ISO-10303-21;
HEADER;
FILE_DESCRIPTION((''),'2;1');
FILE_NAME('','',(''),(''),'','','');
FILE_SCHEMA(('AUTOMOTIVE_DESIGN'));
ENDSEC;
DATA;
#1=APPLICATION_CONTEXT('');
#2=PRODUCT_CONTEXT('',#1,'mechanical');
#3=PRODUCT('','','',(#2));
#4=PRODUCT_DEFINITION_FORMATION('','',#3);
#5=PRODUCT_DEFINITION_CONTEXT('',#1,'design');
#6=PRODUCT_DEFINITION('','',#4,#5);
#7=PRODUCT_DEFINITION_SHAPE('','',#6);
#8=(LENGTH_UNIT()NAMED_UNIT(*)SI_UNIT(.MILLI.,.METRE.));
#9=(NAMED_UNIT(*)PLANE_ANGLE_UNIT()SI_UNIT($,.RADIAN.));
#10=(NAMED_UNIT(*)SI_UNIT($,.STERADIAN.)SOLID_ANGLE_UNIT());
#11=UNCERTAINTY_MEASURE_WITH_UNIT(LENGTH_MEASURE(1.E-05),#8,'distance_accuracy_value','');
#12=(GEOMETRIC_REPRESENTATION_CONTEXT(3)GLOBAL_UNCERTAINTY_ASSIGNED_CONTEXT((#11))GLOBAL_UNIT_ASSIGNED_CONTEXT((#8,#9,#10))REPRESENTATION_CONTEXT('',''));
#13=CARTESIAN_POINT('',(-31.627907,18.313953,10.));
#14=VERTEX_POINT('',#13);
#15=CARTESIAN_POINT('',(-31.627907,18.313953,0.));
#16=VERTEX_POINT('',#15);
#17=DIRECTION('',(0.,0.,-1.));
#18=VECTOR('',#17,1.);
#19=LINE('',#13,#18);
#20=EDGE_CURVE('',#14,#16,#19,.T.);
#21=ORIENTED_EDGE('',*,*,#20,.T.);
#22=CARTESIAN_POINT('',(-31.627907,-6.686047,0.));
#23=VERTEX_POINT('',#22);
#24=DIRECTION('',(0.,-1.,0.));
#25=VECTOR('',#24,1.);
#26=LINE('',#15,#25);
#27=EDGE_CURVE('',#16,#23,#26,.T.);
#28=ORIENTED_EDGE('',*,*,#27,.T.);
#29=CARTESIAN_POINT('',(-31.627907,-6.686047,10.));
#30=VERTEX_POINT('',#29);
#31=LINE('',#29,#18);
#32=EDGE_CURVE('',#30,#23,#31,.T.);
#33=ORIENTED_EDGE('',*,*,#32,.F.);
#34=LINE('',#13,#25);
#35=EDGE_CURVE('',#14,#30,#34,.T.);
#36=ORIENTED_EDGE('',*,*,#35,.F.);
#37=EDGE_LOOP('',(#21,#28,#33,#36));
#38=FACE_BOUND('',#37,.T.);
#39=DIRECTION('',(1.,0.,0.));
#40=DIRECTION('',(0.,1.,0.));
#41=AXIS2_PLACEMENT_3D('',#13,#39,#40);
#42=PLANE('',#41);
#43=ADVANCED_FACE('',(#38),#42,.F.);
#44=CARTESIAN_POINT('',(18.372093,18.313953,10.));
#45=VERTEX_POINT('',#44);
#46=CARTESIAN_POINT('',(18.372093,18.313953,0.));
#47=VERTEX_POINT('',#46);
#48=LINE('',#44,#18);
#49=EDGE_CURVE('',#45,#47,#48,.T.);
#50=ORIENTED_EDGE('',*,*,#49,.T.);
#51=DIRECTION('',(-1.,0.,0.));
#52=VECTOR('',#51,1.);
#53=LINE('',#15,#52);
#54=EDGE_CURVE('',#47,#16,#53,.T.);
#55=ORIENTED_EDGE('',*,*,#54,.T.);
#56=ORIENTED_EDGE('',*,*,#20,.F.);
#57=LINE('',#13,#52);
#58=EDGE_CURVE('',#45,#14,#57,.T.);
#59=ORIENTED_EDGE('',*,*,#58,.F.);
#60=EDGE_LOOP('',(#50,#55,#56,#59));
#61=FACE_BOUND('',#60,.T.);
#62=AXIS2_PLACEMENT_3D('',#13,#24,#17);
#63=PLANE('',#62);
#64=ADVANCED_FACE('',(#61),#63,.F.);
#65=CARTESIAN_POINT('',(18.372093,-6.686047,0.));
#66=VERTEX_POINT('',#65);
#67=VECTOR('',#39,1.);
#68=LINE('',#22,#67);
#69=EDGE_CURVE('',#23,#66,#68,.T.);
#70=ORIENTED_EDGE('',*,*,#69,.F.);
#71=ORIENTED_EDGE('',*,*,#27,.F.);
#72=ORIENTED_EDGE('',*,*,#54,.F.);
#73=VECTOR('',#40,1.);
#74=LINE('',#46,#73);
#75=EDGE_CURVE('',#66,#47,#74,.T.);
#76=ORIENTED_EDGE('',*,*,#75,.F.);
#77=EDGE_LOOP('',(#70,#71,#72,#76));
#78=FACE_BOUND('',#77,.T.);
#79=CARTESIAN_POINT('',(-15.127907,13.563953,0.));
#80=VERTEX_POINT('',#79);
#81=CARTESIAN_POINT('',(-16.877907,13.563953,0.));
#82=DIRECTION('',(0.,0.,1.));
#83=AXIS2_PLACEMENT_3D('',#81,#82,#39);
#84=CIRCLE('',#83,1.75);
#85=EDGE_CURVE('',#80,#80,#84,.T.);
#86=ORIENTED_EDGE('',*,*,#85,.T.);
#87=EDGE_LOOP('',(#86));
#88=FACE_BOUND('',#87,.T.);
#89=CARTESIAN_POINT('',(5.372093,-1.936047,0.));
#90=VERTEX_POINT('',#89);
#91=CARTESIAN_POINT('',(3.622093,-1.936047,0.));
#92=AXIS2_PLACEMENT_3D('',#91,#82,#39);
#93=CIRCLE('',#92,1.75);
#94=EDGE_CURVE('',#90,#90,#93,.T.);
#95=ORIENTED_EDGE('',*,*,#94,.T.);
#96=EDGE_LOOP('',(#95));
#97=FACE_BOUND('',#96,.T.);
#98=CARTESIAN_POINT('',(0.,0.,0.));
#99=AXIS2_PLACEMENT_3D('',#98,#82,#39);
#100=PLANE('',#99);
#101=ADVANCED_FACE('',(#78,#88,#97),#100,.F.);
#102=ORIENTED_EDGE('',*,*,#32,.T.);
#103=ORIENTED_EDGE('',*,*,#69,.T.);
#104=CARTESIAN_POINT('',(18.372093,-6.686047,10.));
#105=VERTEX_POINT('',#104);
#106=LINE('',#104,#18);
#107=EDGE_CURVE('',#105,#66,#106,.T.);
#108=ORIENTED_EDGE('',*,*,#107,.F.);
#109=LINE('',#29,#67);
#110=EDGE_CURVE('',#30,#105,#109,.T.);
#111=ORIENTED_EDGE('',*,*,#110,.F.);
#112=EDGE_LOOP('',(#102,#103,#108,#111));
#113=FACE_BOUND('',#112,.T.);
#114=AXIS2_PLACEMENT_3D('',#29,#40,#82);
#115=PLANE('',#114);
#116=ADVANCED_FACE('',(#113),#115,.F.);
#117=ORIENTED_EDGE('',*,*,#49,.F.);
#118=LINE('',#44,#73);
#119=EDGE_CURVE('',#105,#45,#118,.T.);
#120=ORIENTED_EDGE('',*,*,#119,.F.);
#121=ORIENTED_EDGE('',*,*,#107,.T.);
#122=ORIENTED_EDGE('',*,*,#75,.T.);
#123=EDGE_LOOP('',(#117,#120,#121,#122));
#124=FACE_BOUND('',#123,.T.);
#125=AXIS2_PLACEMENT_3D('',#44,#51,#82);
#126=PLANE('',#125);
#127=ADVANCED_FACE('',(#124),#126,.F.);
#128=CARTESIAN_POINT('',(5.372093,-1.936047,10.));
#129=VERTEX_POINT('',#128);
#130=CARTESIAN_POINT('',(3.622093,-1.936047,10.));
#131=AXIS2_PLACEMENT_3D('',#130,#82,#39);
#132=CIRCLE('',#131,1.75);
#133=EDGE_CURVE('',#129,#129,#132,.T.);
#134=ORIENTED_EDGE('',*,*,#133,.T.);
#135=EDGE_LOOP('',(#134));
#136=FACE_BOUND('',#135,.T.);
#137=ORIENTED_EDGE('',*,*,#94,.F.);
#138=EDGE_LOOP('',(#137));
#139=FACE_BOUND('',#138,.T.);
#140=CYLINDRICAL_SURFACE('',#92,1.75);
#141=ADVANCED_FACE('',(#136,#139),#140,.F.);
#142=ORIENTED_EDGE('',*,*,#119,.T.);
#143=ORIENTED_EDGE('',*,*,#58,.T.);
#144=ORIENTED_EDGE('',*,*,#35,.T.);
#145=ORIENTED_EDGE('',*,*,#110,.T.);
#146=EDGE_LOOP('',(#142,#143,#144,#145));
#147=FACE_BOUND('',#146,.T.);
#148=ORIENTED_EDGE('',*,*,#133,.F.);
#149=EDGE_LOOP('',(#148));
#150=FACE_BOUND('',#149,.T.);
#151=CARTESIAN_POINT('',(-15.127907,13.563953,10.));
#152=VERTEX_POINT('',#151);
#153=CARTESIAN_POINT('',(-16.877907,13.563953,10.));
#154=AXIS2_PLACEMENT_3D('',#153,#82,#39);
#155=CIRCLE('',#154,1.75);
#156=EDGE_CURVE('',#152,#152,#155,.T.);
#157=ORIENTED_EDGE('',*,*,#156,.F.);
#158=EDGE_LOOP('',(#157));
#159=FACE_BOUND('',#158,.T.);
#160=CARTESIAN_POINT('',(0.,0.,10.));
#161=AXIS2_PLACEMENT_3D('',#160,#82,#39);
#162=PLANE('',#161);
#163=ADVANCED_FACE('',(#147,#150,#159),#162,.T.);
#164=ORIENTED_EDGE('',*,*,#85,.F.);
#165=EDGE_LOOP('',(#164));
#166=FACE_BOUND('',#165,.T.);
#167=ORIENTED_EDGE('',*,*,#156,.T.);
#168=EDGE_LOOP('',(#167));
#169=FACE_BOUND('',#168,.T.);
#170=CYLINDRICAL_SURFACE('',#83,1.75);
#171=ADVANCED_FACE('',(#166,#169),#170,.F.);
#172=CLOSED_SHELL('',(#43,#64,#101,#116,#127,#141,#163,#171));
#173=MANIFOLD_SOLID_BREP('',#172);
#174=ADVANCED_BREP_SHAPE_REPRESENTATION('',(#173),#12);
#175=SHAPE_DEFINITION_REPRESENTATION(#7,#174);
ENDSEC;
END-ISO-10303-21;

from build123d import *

# Parameters (mm, degrees)
SKETCH1_W           = 50
SKETCH1_H           = 25
BOSS_EXTRUDE1_DEPTH = 10
SKETCH2_R           = 1.75
CUT_EXTRUDE1_DEPTH  = 10
SKETCH3_R           = 1.75
CUT_EXTRUDE2_DEPTH  = 10


with BuildPart() as part:
    # Sketch1 → Boss-Extrude1 (new body)
    with BuildSketch(Plane.XY):
        with Locations((-6.627906977, 5.813953488)):
            Rectangle(SKETCH1_W, SKETCH1_H)
    extrude(amount=BOSS_EXTRUDE1_DEPTH)

    # Sketch2 → Cut-Extrude1 (cut)
    with BuildSketch(Plane.XY.offset(10)):
        with Locations((-16.877906977, 13.563953488)):
            Circle(SKETCH2_R)
    extrude(amount=-CUT_EXTRUDE1_DEPTH, mode=Mode.SUBTRACT)

    # Sketch3 → Cut-Extrude2 (cut)
    with BuildSketch(Plane.XY.offset(10)):
        with Locations((3.622093023, -1.936046512)):
            Circle(SKETCH3_R)
    extrude(amount=-CUT_EXTRUDE2_DEPTH, mode=Mode.SUBTRACT)


solid = part.part
